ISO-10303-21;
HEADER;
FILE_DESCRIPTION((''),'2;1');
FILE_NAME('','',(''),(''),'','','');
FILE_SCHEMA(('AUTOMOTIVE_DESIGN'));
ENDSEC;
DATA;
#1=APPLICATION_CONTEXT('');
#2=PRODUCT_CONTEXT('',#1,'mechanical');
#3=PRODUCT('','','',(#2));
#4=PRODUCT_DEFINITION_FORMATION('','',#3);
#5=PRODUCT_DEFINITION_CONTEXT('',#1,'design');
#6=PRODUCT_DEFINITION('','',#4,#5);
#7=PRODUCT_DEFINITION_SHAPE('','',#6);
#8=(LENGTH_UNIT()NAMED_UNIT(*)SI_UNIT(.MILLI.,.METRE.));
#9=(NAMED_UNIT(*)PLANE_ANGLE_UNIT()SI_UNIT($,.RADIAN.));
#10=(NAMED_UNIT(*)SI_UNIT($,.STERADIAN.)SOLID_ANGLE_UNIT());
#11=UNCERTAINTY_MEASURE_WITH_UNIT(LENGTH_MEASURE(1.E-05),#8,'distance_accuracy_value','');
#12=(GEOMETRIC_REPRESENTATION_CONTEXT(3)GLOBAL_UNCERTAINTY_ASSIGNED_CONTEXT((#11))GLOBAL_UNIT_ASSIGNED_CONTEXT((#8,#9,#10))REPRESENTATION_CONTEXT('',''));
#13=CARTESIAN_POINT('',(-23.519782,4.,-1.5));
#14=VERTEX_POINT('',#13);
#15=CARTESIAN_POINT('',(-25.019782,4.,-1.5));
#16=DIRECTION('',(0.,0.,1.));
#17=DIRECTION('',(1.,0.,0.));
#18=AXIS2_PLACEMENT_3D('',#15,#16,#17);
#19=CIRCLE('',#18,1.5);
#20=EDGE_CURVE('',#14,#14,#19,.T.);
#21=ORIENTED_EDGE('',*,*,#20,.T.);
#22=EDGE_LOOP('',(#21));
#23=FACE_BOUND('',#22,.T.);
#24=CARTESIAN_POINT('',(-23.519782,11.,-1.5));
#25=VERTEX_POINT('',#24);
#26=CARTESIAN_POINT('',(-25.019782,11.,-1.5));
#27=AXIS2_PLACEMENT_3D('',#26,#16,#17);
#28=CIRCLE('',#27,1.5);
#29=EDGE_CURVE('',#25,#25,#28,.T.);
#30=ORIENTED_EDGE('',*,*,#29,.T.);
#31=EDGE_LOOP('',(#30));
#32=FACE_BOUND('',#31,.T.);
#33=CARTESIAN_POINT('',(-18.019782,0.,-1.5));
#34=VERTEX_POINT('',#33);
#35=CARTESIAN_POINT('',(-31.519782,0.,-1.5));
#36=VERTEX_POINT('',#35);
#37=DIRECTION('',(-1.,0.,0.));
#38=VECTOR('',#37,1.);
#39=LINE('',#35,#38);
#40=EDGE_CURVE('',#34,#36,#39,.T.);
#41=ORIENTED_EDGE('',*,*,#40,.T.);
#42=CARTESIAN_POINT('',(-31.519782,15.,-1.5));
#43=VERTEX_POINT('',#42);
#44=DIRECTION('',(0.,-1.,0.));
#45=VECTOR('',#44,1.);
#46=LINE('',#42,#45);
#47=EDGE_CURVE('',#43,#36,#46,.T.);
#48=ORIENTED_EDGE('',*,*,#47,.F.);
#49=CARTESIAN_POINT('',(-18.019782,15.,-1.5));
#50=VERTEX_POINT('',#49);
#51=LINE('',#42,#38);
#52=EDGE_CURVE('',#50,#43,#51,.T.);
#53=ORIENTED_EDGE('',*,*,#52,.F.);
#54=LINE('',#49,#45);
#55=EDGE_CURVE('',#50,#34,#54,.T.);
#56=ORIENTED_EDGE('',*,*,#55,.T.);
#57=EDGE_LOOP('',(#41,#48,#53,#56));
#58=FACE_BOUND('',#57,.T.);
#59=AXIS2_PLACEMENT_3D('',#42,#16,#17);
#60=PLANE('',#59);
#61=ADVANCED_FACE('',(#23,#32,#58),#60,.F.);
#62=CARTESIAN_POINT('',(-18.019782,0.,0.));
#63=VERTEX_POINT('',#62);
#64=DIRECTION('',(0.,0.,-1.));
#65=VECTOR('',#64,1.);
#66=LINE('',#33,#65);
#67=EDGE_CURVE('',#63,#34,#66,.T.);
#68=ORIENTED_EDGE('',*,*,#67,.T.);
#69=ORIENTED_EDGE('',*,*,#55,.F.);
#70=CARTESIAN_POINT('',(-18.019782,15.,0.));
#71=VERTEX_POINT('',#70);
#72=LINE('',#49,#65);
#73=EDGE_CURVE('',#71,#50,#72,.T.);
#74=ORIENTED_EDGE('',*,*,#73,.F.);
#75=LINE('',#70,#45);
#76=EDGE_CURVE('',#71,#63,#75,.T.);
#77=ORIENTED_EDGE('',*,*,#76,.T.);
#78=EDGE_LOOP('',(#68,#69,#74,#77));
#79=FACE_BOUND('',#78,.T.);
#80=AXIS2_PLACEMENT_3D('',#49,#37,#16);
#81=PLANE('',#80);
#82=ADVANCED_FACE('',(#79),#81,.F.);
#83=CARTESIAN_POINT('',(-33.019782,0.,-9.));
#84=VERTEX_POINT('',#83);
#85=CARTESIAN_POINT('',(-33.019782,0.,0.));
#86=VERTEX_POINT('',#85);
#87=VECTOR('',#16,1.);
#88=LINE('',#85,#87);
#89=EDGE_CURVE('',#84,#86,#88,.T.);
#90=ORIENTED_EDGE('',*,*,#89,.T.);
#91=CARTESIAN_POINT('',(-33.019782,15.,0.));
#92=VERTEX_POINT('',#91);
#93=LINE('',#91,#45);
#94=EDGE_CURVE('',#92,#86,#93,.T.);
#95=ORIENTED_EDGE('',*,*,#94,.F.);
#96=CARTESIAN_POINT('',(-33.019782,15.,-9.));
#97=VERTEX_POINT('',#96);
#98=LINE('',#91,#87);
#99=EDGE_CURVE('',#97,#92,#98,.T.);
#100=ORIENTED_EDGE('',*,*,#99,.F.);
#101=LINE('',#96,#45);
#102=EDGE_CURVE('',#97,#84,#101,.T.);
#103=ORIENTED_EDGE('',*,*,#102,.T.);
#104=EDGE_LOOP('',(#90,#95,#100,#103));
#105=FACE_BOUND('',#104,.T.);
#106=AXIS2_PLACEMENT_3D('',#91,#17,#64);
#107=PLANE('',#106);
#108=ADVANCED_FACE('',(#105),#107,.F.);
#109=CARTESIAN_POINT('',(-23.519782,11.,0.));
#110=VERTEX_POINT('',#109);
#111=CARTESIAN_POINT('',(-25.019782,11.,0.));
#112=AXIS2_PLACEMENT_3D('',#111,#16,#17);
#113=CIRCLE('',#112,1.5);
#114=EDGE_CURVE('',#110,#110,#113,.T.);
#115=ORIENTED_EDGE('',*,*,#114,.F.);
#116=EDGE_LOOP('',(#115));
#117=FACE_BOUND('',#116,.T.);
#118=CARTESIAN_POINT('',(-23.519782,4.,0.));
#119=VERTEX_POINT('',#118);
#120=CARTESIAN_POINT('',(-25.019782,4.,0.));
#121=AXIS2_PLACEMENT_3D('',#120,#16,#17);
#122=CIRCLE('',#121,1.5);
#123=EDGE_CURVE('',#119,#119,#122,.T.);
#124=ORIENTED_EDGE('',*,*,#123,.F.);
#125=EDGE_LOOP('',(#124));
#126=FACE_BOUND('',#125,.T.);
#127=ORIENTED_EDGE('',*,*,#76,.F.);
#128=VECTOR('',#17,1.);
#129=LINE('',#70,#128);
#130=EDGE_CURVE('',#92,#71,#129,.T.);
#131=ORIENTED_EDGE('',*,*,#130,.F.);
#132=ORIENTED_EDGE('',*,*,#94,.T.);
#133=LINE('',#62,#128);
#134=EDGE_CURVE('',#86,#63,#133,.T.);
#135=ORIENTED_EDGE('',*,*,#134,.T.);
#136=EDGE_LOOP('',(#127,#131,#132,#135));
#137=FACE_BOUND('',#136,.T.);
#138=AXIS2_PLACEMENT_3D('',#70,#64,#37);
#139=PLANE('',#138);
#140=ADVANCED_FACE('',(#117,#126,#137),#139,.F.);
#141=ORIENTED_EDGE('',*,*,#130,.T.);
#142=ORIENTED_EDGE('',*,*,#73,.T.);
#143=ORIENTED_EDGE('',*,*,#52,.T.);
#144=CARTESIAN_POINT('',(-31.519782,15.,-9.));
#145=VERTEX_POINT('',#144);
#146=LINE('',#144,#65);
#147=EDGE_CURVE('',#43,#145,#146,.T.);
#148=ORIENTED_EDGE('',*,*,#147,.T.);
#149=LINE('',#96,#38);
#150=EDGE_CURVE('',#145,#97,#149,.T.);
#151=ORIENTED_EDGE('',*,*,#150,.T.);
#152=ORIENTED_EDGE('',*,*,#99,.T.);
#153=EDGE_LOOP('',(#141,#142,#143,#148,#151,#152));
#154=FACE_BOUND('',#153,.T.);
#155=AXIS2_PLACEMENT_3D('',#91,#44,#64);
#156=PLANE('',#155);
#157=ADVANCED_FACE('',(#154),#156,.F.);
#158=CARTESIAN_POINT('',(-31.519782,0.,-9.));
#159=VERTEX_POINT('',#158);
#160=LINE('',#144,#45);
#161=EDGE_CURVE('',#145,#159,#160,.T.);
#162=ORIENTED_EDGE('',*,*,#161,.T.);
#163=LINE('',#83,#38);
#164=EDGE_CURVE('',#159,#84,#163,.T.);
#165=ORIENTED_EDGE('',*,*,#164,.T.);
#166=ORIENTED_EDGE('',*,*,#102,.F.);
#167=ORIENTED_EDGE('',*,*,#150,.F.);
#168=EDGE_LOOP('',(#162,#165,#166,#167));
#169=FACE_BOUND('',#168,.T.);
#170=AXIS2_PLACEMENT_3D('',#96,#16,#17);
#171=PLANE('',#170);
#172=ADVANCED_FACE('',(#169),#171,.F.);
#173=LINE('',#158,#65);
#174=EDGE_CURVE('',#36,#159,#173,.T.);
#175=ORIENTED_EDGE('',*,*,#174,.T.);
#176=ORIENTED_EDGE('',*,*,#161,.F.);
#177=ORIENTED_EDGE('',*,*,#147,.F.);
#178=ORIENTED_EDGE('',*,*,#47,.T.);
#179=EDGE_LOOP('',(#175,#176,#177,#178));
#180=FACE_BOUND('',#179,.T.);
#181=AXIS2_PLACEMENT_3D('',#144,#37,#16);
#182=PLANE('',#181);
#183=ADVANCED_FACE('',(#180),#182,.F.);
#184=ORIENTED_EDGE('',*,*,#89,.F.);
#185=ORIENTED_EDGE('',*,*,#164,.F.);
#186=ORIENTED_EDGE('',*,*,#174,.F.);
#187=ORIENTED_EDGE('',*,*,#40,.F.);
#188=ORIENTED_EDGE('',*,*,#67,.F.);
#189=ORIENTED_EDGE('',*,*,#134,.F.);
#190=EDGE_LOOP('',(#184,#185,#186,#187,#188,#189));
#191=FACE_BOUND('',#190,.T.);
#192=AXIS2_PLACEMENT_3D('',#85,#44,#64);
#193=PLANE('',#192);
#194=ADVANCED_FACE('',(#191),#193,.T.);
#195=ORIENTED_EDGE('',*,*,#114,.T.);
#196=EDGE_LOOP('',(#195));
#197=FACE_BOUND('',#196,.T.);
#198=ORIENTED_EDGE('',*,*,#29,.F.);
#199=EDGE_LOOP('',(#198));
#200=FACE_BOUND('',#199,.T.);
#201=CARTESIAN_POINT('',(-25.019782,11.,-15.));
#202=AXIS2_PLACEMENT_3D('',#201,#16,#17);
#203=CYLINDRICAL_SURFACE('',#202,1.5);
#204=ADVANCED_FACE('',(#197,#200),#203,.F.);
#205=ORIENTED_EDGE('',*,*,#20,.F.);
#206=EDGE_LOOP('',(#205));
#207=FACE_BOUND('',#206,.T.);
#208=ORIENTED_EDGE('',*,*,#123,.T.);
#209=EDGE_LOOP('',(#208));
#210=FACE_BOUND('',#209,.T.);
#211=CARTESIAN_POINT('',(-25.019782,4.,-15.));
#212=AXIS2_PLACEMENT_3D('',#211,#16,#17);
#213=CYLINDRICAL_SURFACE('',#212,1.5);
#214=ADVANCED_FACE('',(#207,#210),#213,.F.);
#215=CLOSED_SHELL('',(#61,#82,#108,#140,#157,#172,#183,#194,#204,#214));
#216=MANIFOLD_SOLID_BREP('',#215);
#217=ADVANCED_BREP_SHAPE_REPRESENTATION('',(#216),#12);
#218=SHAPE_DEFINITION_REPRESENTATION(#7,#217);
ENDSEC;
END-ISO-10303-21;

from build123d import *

# Parameters (mm, degrees)
EXTRUSION1_DEPTH = 15
ESQUISSE2_R      = 1.5
EXTRUSION2_DEPTH = 15


with BuildPart() as part:
    # Esquisse1 → Extrusion1 (new body)
    with BuildSketch(Plane(origin=(0, 0, 0), x_dir=(1, 0, 0), z_dir=(0, 1, 0))):
        Polygon((-33.019781622, 0), (-33.019781622, 9), (-31.519781622, 9), (-31.519781622, 1.5), (-18.019781622, 1.5), (-18.019781622, 0), align=None)
    extrude(amount=EXTRUSION1_DEPTH)

    # Esquisse2 → Extrusion2 (cut)
    with BuildSketch(Plane.XY):
        with Locations((-25.019781622, 11)):
            Circle(ESQUISSE2_R)
        with Locations((-25.019781622, 4)):
            Circle(ESQUISSE2_R)
    extrude(amount=-EXTRUSION2_DEPTH, mode=Mode.SUBTRACT)


solid = part.part
